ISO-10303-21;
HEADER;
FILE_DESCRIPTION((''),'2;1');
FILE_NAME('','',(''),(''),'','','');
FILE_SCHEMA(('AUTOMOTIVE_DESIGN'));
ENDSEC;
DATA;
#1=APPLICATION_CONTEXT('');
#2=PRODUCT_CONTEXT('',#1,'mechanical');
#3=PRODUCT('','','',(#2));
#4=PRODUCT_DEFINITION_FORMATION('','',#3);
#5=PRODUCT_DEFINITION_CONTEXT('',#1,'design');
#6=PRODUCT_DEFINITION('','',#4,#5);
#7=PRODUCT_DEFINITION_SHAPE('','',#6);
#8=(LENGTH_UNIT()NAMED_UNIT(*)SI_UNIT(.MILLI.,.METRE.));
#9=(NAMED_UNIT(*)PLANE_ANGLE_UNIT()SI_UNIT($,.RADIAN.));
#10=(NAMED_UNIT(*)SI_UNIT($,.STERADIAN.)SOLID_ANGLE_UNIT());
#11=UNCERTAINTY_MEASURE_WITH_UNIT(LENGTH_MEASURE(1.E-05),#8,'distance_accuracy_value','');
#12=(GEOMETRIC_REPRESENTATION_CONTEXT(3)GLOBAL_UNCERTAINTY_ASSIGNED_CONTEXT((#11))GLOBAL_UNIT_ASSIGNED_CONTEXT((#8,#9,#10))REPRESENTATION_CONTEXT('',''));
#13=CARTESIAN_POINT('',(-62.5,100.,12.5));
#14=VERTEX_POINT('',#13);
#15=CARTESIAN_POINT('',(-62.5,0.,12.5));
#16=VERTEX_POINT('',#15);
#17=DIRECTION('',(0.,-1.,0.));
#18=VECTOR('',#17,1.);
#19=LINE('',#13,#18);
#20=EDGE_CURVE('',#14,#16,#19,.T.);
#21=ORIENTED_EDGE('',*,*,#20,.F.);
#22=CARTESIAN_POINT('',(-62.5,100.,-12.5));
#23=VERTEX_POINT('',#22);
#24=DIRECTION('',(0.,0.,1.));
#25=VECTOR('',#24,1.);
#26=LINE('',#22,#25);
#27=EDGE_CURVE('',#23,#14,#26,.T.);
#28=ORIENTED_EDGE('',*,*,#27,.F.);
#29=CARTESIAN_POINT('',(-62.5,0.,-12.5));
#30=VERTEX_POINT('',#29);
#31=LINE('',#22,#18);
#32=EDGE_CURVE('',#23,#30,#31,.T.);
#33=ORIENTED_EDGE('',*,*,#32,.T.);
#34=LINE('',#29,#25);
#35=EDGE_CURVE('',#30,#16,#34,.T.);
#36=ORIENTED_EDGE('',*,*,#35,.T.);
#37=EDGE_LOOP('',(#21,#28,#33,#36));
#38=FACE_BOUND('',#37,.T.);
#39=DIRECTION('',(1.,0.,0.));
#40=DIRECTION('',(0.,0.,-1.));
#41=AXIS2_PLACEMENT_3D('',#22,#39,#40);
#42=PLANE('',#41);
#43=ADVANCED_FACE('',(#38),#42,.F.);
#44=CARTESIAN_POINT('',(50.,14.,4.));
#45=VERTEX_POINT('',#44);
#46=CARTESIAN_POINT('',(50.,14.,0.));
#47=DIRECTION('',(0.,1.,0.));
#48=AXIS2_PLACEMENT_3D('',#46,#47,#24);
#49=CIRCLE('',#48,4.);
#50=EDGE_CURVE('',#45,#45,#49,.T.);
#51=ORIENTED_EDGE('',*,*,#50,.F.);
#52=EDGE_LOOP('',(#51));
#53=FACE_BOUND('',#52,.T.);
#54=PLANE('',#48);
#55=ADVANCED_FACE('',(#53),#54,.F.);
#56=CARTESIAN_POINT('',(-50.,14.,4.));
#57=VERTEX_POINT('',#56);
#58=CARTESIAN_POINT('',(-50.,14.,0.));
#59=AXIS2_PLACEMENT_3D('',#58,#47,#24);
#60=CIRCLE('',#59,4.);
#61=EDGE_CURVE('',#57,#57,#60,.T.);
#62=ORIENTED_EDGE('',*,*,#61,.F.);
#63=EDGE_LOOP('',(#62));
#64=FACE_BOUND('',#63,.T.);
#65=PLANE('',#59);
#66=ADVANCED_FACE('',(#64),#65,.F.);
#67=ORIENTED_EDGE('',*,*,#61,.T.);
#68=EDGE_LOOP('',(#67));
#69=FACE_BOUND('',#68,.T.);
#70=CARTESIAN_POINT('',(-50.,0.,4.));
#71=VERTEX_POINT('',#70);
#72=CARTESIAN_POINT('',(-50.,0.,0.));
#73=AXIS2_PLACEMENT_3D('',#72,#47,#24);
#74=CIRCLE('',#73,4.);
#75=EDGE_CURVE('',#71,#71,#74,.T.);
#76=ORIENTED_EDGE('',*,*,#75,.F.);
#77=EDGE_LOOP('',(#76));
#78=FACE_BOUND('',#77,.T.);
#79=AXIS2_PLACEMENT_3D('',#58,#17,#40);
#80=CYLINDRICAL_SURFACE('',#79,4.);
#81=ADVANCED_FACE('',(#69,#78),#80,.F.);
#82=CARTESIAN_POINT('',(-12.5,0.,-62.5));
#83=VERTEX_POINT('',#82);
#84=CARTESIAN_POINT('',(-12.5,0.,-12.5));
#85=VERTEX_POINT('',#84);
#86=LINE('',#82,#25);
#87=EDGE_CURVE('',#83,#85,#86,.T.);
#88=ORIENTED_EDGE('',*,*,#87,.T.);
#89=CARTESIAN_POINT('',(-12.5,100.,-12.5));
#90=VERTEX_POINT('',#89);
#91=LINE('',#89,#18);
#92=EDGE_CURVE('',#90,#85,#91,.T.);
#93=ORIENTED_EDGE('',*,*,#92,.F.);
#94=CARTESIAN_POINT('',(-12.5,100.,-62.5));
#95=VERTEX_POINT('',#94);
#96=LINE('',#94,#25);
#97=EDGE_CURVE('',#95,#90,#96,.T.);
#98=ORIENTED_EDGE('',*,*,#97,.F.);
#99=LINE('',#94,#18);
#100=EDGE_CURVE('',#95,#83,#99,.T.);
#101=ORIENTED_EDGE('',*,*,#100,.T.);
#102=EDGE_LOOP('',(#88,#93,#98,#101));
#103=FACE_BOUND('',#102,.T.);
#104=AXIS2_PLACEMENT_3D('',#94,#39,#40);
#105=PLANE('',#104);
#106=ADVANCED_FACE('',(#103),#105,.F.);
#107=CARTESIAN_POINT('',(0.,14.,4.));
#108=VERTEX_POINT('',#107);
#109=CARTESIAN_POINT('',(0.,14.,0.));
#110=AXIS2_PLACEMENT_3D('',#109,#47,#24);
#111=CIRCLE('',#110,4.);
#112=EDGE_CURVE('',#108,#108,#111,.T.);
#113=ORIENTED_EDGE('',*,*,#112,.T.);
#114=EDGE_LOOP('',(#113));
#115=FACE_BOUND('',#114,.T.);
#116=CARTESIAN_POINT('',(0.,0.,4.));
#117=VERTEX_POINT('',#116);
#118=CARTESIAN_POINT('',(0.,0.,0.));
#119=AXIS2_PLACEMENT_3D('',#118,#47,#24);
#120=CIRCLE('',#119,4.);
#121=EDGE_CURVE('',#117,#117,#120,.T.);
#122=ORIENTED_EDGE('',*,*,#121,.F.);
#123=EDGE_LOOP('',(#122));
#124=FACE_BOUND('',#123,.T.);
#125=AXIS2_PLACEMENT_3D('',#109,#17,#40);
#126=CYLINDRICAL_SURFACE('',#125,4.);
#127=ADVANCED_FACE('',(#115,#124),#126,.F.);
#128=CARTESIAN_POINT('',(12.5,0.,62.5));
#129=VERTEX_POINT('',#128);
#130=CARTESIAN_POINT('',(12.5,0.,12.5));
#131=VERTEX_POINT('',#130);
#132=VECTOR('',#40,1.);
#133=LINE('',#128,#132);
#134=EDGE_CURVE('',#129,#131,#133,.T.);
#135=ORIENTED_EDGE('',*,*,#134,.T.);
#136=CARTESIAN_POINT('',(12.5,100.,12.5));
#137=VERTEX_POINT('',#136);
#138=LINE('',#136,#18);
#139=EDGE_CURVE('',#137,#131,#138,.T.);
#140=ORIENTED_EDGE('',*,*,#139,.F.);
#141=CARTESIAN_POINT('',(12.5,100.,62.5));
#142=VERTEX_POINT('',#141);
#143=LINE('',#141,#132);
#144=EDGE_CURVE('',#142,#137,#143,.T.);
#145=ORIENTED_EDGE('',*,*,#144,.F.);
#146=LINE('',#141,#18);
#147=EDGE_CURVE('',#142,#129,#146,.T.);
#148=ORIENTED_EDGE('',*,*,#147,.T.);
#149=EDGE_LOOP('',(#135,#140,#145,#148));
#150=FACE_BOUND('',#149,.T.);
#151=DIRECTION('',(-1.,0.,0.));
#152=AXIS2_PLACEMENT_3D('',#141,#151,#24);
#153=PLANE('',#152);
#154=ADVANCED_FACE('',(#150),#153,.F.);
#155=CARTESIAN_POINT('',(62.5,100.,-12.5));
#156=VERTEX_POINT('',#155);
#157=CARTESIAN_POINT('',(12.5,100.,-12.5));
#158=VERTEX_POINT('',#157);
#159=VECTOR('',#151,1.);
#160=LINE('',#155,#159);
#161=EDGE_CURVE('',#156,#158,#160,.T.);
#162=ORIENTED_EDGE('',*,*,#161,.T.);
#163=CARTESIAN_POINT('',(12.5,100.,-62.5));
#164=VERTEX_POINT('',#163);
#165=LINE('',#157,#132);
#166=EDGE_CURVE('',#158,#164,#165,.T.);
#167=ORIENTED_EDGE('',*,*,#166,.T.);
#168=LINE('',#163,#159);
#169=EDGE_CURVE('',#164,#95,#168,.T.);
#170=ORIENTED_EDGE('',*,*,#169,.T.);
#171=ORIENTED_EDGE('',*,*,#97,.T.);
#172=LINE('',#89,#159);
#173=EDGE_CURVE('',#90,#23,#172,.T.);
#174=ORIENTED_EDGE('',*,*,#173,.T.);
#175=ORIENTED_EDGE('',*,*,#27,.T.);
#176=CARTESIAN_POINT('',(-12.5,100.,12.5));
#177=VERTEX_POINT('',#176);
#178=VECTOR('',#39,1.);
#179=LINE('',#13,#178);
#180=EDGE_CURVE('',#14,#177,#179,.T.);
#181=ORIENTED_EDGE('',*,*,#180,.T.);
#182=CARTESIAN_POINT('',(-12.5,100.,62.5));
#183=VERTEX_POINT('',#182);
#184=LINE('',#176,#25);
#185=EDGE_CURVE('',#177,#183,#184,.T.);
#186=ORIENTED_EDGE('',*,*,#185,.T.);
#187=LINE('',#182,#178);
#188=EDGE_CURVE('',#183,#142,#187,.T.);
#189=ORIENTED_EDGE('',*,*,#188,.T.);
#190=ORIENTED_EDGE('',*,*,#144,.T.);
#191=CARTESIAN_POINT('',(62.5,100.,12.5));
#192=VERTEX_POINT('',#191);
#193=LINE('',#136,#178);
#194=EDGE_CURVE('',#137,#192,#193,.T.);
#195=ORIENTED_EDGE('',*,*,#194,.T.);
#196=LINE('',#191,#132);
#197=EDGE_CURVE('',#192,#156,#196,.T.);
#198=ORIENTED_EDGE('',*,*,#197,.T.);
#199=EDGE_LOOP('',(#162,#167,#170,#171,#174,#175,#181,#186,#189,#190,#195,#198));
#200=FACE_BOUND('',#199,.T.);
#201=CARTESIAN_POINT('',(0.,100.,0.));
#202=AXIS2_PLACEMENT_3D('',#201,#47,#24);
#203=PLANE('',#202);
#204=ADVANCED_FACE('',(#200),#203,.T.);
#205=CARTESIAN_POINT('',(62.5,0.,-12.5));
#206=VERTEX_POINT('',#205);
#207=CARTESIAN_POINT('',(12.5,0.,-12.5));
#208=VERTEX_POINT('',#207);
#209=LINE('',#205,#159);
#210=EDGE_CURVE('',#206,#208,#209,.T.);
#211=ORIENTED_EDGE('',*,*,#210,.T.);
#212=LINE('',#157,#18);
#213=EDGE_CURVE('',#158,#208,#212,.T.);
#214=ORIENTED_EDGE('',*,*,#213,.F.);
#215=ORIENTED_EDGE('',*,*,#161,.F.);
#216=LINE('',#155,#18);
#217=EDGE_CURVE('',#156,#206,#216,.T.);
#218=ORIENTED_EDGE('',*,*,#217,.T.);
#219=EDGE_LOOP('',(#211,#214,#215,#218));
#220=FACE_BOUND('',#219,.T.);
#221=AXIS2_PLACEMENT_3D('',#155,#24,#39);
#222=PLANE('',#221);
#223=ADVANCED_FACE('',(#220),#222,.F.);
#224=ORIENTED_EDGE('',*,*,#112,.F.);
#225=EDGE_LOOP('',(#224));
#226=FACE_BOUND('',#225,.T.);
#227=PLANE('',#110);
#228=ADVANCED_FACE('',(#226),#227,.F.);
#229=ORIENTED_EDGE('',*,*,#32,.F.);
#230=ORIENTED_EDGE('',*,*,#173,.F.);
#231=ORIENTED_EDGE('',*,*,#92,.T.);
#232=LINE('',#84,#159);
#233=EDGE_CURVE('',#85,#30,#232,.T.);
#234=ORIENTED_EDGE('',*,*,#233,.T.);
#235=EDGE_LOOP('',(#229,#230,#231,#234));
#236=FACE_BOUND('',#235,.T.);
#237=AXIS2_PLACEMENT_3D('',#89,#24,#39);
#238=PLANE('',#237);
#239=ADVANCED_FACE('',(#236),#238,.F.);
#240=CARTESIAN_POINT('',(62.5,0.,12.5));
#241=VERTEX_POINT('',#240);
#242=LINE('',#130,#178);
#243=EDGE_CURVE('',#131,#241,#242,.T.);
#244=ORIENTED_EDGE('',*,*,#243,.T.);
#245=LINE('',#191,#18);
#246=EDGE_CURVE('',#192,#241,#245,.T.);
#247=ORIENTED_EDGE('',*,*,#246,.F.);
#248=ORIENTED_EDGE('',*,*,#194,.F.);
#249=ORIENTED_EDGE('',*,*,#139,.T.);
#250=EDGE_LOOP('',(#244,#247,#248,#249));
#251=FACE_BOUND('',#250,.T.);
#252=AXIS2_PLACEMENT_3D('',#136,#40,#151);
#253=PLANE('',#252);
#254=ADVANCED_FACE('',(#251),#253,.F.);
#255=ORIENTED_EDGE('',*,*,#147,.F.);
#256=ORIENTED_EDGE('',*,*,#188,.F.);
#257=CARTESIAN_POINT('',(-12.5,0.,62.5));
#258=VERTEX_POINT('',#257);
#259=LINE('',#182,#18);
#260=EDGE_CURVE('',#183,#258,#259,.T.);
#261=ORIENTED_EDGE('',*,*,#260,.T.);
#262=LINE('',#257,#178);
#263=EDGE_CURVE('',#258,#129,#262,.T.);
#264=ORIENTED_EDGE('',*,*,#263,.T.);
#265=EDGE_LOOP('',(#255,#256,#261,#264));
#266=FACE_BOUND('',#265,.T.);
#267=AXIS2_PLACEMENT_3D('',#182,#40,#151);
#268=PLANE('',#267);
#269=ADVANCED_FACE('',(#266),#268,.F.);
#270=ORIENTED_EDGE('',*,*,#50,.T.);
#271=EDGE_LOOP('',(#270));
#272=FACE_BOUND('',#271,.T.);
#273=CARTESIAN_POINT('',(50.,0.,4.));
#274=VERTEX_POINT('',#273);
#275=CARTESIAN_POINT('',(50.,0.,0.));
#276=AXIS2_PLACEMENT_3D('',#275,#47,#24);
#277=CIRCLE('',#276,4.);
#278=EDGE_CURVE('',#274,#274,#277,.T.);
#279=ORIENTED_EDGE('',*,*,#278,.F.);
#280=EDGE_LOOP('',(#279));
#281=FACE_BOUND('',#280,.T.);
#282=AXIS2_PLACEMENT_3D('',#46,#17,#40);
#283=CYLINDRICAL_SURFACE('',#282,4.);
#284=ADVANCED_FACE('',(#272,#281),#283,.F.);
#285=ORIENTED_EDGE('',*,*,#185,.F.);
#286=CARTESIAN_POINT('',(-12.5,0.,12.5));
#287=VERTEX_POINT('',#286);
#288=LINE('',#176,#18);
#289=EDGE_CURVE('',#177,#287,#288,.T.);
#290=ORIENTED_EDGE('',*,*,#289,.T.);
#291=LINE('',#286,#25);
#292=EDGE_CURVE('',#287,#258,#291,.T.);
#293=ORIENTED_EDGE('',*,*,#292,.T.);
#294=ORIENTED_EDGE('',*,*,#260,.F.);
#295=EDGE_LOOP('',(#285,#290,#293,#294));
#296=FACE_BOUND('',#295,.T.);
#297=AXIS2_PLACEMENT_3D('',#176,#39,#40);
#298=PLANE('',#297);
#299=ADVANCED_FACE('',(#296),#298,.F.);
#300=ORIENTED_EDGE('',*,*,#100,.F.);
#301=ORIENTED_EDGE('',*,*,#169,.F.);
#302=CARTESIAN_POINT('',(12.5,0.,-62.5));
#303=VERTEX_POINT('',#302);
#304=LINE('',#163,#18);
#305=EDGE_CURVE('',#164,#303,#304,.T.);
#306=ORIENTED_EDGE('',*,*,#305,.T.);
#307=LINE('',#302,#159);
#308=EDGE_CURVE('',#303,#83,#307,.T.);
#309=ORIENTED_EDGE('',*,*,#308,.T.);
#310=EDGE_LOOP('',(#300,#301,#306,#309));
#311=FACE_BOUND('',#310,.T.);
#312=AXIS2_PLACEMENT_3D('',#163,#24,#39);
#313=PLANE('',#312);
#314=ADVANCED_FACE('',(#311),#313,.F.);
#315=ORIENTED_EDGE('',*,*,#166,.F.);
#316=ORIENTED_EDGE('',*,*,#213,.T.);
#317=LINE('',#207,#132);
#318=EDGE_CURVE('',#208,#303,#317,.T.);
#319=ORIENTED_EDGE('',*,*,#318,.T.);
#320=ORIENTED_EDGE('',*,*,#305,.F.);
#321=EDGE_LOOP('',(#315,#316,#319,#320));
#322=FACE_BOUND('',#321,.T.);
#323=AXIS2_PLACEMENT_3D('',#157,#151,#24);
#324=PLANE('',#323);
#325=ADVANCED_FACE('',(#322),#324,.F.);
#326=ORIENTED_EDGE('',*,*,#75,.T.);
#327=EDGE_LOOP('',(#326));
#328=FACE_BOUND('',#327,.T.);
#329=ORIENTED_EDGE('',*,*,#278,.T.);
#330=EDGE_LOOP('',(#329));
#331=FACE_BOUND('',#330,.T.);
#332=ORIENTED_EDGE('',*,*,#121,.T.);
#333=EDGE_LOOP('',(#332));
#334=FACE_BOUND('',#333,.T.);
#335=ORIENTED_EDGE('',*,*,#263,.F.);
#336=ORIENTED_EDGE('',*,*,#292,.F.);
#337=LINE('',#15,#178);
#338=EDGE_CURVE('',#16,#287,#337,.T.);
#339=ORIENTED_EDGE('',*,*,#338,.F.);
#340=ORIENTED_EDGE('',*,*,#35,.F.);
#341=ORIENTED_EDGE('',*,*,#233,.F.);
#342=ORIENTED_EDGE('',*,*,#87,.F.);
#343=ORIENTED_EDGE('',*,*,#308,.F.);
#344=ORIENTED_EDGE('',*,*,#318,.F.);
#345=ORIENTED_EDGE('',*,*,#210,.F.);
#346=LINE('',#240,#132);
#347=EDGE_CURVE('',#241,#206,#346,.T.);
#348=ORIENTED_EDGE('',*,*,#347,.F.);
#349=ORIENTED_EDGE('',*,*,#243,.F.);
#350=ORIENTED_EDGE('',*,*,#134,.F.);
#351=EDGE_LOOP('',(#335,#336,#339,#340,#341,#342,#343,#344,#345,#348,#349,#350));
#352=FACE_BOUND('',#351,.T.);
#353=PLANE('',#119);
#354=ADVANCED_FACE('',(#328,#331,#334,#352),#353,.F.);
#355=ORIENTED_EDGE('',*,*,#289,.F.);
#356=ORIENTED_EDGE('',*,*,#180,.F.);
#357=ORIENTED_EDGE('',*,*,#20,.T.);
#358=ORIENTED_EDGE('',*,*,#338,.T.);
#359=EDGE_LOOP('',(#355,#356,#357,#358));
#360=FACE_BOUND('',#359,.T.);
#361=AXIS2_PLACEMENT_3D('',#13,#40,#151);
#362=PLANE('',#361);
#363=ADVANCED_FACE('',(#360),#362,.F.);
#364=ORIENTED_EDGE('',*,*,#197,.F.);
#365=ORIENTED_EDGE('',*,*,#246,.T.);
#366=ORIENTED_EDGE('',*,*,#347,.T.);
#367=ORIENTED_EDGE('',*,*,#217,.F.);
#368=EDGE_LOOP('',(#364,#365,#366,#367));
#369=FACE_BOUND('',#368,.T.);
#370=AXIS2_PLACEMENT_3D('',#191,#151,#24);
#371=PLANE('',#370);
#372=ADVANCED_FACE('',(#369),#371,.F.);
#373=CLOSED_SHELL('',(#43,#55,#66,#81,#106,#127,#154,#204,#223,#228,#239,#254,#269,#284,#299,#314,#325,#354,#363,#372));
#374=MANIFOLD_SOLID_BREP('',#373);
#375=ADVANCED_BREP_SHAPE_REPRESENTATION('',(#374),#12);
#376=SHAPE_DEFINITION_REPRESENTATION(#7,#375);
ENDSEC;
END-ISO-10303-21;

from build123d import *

# Parameters (mm, degrees)
CRUZ_DEPTH                 = 100
CROQUIS_AGUJEROS_MONTAJE_R = 4
AGUJERO_INSERTO_M6_DEPTH   = 14


with BuildPart() as part:
    # Croquis_cruz → Cruz (new body)
    with BuildSketch(Plane(origin=(0, 0, 0), x_dir=(1, 0, 0), z_dir=(0, 1, 0))):
        Polygon((-62.5, -12.5), (-12.5, -12.5), (-12.5, -62.5), (12.5, -62.5), (12.5, -12.5), (62.5, -12.5), (62.5, 12.5), (12.5, 12.5), (12.5, 62.5), (-12.5, 62.5), (-12.5, 12.5), (-62.5, 12.5), align=None)
    extrude(amount=CRUZ_DEPTH)

    # Croquis_agujeros_montaje → Agujero_inserto_M6 (cut)
    with BuildSketch(Plane(origin=(0, 0, 0), x_dir=(1, 0, 0), z_dir=(0, 1, 0))):
        with Locations(Location((-50, 0, 0), (0, 0, 270))):
            Circle(CROQUIS_AGUJEROS_MONTAJE_R)
        with Locations(Location((0, 0, 0), (0, 0, 270))):
            Circle(CROQUIS_AGUJEROS_MONTAJE_R)
        with Locations(Location((50, 0, 0), (0, 0, 270))):
            Circle(CROQUIS_AGUJEROS_MONTAJE_R)
    extrude(amount=AGUJERO_INSERTO_M6_DEPTH, mode=Mode.SUBTRACT)


solid = part.part
